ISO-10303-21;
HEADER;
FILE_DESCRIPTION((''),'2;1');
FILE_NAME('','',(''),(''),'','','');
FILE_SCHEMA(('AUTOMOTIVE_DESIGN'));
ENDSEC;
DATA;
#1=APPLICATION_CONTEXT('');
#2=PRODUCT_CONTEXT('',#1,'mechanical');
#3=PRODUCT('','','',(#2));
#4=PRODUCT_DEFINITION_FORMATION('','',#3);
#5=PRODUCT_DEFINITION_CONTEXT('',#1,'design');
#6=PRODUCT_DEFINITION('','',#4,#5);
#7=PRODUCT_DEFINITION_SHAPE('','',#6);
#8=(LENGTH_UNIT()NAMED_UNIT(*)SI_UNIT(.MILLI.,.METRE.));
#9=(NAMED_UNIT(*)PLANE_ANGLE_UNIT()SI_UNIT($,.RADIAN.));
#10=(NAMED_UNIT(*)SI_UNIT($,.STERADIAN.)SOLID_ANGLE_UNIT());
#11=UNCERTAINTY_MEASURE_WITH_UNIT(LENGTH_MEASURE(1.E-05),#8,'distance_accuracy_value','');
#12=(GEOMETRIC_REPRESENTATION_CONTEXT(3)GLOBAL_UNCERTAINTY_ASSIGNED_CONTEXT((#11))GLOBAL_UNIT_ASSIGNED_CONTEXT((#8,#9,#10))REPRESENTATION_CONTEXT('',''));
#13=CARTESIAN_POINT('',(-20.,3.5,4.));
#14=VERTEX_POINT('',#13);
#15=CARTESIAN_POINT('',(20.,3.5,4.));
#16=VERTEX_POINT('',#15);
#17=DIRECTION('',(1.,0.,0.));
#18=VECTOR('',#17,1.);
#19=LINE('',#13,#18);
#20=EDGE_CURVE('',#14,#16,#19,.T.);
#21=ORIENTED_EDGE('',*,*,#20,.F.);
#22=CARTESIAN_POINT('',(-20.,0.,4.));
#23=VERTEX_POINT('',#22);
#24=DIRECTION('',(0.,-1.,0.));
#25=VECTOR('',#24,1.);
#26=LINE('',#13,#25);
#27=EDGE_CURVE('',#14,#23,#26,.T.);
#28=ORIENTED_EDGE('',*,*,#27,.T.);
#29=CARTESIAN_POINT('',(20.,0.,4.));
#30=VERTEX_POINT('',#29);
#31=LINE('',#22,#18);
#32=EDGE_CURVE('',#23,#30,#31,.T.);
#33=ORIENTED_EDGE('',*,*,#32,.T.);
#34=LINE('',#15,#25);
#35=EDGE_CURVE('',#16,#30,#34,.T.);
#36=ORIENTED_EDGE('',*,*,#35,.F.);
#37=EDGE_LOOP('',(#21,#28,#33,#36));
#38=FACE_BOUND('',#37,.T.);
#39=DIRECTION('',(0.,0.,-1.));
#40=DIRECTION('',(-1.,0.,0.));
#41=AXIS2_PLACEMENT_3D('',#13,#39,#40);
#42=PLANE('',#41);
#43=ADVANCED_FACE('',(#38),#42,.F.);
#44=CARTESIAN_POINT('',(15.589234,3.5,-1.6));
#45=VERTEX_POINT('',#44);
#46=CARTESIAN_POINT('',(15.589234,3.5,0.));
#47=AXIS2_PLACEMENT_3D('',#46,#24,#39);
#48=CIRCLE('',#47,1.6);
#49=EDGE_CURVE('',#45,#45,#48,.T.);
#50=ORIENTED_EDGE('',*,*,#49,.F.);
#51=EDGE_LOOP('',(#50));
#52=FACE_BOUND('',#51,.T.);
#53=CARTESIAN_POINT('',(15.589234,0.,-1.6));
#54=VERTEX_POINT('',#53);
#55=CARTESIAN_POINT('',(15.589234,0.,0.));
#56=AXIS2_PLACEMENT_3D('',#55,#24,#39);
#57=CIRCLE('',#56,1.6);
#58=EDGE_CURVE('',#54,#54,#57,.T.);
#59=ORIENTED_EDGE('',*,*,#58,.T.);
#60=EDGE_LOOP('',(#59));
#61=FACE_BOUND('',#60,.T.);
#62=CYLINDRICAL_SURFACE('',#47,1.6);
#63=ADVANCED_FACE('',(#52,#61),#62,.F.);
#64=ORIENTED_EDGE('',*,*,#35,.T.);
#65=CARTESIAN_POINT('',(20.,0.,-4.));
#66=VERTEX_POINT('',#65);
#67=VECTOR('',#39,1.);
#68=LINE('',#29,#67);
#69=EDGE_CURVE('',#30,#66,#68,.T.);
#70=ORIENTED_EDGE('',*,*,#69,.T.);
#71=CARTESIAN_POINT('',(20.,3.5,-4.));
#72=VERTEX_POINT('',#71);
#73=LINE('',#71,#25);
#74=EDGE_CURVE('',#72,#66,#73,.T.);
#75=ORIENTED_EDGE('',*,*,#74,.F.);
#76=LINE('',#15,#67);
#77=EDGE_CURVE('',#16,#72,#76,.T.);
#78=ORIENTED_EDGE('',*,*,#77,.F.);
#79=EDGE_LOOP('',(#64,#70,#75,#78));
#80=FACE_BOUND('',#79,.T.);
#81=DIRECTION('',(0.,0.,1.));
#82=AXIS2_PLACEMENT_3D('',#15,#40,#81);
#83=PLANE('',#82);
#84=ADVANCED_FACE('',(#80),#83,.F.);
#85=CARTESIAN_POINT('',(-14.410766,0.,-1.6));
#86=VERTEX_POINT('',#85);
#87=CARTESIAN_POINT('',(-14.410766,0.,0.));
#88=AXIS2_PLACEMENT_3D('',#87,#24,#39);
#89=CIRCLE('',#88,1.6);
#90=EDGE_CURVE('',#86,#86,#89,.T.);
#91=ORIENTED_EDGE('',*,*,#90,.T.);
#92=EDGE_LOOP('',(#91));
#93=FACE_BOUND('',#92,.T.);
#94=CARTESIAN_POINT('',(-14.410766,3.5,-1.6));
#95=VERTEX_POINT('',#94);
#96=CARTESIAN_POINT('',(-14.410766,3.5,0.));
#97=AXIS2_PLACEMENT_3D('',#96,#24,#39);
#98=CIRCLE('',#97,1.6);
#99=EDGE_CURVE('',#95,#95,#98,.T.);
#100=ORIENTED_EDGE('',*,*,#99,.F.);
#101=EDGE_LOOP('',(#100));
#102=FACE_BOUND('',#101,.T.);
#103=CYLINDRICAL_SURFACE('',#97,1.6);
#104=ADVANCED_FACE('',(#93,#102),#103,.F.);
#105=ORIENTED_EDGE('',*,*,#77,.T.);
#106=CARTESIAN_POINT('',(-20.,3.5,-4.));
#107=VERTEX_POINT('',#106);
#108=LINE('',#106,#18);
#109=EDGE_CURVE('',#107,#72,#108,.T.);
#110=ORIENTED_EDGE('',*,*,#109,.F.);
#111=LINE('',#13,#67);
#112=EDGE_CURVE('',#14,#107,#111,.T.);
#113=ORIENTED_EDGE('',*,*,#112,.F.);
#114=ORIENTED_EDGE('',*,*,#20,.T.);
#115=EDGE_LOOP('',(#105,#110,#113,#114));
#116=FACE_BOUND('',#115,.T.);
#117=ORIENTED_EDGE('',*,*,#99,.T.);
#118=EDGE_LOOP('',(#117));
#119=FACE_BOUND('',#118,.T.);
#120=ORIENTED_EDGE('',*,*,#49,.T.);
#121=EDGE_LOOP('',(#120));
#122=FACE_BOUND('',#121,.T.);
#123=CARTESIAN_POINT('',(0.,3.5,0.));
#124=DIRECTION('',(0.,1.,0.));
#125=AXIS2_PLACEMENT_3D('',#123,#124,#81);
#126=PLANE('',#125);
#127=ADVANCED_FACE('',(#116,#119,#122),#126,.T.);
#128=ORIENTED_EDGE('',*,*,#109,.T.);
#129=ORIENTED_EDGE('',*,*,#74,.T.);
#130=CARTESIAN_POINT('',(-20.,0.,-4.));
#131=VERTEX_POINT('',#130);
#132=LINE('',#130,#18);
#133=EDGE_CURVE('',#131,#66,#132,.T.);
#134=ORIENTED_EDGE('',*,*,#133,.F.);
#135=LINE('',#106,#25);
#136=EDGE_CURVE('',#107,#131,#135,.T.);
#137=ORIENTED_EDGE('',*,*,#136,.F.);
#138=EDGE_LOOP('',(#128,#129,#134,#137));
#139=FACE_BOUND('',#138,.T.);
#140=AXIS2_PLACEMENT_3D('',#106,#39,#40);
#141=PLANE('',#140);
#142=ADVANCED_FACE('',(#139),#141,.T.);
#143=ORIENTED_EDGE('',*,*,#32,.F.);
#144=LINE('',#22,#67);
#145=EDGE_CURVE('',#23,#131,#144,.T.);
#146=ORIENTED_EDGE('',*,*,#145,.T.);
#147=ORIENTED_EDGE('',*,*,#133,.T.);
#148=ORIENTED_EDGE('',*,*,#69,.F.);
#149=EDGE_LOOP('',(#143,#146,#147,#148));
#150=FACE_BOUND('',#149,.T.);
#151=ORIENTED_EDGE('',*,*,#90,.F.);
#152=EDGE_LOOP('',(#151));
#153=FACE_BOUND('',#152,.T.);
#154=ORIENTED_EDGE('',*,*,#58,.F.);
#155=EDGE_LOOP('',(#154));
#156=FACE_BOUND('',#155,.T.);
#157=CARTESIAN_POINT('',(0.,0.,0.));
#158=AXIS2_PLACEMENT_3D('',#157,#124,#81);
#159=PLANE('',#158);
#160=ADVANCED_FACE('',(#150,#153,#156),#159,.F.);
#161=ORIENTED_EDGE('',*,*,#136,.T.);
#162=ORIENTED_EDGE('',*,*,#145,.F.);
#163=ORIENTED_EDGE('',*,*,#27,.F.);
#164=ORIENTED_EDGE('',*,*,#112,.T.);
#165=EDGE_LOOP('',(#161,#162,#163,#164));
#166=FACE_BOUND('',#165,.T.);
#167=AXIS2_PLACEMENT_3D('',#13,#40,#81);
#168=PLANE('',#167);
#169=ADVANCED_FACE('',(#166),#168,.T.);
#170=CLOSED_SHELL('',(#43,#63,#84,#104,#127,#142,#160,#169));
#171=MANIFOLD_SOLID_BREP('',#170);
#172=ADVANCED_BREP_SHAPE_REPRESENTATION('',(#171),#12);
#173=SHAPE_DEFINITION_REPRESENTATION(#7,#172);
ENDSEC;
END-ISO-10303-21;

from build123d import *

# Parameters (mm, degrees)
SKETCH_1_W          = 40
SKETCH_1_H          = 8
EXTRUDE_2_DEPTH     = 3.5
SKETCH_4_R          = 1.6
CUT_EXTRUDE_1_DEPTH = 3.5


with BuildPart() as part:
    # 草图1 → 凸台-拉伸2 (new body)
    with BuildSketch(Plane(origin=(0, 0, 0), x_dir=(1, 0, 0), z_dir=(0, 1, 0))):
        Rectangle(SKETCH_1_W, SKETCH_1_H)
    extrude(amount=EXTRUDE_2_DEPTH)

    # 草图4 → 切除-拉伸1 (cut)
    with BuildSketch(Plane.XZ):
        with Locations(Location((-14.410766084, 0, 0), (0, 0, 270))):
            Circle(SKETCH_4_R)
        with Locations(Location((15.589233916, 0, 0), (0, 0, 270))):
            Circle(SKETCH_4_R)
    extrude(amount=-CUT_EXTRUDE_1_DEPTH, mode=Mode.SUBTRACT)


solid = part.part
